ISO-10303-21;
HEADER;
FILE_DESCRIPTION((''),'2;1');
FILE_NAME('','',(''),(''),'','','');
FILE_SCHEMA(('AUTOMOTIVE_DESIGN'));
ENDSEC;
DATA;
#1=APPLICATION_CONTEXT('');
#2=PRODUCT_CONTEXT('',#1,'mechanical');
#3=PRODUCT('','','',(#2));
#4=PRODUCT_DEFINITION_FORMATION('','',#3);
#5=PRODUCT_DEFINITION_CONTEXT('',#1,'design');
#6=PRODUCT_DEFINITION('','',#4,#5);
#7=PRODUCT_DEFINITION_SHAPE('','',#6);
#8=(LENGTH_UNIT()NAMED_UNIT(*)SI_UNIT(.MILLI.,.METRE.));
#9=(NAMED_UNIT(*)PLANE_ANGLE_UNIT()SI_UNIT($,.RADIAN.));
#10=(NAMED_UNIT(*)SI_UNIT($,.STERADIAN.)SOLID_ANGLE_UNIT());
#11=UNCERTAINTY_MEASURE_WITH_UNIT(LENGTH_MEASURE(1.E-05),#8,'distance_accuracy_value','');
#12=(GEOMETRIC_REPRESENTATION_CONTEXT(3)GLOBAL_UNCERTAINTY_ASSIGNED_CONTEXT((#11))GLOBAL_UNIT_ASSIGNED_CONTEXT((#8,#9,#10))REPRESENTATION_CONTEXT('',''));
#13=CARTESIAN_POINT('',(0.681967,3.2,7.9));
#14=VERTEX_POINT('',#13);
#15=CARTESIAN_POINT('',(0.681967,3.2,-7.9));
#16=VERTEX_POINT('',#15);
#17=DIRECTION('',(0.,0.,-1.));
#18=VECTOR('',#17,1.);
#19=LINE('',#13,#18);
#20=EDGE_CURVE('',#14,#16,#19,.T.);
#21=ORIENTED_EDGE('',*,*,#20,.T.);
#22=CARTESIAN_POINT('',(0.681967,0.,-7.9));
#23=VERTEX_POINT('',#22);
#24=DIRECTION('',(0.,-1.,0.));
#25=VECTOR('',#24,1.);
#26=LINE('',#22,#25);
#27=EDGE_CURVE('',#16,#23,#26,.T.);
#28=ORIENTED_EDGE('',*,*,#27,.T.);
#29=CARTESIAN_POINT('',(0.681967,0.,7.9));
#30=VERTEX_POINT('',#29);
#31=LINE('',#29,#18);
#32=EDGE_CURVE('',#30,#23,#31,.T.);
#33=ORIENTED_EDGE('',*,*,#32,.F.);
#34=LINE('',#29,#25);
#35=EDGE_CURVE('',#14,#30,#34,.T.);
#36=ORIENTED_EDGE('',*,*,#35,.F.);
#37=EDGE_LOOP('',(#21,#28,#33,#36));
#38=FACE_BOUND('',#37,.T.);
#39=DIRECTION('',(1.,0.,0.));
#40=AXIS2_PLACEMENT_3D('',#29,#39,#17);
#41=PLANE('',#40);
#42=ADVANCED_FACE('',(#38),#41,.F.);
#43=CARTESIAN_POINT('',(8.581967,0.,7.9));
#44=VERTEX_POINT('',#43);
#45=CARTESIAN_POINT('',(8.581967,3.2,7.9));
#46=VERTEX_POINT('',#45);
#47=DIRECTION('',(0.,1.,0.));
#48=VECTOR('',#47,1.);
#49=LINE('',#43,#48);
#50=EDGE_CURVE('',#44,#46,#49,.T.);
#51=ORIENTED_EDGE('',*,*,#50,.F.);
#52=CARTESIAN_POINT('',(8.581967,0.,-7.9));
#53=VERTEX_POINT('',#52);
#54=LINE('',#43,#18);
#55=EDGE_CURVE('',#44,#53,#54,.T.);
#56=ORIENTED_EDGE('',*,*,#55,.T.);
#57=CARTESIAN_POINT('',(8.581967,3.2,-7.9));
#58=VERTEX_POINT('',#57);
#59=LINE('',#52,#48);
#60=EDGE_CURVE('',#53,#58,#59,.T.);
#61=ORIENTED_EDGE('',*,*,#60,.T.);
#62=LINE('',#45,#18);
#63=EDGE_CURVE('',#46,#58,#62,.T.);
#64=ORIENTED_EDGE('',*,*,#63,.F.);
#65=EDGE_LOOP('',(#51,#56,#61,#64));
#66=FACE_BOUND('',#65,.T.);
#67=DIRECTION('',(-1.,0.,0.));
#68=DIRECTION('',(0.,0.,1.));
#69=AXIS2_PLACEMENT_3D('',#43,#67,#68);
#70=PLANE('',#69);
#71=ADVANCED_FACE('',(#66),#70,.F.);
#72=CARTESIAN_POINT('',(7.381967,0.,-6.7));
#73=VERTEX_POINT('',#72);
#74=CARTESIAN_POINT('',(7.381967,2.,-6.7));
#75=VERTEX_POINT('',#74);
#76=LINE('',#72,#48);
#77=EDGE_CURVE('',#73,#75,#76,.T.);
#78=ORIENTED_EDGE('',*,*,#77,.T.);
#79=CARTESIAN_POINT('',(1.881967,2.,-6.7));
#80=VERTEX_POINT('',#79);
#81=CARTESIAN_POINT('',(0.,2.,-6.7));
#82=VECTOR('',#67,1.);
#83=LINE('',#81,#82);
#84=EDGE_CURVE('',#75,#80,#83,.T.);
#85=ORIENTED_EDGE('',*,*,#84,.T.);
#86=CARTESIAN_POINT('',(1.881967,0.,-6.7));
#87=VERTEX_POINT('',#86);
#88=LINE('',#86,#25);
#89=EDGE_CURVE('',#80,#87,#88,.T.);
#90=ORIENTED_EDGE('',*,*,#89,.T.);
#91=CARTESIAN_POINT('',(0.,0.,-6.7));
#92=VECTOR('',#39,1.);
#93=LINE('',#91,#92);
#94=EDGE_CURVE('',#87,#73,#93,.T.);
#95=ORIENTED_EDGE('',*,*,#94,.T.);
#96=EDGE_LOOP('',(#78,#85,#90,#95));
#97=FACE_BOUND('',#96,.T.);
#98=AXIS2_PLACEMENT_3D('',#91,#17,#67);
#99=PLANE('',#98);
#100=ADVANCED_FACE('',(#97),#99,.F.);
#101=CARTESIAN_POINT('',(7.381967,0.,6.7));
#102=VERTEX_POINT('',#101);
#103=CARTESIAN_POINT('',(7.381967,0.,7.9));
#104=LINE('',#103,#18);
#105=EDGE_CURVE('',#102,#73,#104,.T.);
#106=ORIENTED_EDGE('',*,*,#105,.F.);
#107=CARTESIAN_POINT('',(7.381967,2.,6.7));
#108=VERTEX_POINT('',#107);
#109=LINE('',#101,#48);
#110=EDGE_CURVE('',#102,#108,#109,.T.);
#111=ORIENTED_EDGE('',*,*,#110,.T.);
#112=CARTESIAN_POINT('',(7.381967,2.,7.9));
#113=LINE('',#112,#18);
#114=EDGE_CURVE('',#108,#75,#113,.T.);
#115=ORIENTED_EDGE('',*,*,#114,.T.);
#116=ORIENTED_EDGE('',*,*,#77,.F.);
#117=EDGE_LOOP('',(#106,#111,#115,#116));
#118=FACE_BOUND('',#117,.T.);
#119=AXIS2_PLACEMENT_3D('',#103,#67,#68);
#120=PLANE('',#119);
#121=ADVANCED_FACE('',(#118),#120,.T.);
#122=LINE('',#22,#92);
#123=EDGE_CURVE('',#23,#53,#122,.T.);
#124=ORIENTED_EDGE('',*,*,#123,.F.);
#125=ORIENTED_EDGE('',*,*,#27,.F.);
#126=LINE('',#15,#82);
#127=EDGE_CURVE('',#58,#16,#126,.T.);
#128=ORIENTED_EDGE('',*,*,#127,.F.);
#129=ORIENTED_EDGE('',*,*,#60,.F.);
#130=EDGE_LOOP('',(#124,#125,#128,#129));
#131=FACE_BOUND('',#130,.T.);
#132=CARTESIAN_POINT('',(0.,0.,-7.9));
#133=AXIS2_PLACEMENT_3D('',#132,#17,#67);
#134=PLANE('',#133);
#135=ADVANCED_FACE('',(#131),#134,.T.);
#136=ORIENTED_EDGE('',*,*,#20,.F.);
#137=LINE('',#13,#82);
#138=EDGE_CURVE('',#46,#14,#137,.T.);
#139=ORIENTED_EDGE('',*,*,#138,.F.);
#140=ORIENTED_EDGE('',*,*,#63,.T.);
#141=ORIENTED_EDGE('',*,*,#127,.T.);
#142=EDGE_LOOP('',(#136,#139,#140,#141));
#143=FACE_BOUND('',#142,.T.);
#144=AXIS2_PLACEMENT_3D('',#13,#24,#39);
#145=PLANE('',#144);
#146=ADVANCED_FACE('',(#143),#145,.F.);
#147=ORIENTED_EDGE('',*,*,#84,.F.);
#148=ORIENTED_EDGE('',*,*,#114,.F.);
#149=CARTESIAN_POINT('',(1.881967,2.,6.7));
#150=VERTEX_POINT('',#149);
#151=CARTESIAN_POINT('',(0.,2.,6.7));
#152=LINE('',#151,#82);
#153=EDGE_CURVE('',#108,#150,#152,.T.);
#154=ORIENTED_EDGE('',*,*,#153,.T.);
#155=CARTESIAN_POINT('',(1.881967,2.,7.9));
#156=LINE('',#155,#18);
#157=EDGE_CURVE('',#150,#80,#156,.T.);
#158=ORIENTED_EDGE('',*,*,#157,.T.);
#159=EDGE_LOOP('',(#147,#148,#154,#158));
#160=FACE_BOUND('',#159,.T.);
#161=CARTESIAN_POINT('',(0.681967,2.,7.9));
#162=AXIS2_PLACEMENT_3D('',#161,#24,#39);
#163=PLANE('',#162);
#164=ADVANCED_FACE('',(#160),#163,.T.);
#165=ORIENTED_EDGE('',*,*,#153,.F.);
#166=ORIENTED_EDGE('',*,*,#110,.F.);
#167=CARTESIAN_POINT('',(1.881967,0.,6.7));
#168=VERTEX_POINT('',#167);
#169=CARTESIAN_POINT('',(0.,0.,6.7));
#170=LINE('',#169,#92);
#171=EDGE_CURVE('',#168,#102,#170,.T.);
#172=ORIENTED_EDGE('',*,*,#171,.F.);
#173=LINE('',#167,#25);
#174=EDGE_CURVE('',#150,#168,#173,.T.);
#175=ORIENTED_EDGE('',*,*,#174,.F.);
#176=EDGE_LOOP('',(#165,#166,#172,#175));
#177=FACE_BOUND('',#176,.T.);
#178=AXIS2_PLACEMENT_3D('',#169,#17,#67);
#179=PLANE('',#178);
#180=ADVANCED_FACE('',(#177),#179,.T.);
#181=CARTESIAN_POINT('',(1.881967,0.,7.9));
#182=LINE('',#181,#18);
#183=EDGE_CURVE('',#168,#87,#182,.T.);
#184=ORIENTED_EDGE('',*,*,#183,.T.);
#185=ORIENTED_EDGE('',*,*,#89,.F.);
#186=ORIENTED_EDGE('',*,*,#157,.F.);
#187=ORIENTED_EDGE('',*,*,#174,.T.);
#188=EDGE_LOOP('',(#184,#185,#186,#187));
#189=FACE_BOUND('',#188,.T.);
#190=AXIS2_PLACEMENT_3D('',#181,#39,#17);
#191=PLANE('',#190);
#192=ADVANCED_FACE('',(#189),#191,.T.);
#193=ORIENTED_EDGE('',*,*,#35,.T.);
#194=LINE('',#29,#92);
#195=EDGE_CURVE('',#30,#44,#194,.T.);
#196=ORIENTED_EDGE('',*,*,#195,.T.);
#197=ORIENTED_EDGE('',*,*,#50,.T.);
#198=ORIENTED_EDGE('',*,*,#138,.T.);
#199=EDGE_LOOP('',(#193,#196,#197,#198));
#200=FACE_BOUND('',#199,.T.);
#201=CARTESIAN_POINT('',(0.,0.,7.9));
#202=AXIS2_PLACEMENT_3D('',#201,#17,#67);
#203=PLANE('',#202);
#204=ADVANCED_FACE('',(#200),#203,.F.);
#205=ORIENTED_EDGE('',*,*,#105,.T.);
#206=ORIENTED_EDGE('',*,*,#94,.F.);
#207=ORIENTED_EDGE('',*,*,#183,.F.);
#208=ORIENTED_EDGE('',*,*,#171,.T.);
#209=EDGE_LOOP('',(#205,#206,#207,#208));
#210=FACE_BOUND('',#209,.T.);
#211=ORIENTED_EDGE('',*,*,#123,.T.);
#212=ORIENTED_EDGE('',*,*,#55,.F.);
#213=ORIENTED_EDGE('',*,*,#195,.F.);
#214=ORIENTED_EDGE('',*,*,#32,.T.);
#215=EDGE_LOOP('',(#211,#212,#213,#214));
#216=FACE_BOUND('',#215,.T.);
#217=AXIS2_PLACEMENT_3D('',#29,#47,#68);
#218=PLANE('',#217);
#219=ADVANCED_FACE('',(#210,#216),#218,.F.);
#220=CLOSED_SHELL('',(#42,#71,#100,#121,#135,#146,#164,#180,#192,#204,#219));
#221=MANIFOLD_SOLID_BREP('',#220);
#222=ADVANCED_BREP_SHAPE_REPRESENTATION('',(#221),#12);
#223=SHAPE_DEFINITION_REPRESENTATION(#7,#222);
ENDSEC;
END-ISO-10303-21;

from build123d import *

# Parameters (mm, degrees)
MAINBASESKETCH_W      = 7.9
MAINBASESKETCH_H      = 3.2
MAINBASEEXTRUDE_DEPTH = 7.9
MAINBASESHELL_T       = -1.2


with BuildPart() as part:
    # MainBaseSketch → MainBaseExtrude (new, symmetric)
    with BuildSketch(Plane.XY):
        with Locations((4.631967213, 1.6)):
            Rectangle(MAINBASESKETCH_W, MAINBASESKETCH_H)
    extrude(amount=MAINBASEEXTRUDE_DEPTH, both=True)

    # MainBaseShell
    mainbaseshell_openings = [part.faces().sort_by_distance(p)[0] for p in [
        (4.631967213, 0, 0),
    ]]
    offset(amount=MAINBASESHELL_T, openings=mainbaseshell_openings, kind=Kind.INTERSECTION)


solid = part.part
